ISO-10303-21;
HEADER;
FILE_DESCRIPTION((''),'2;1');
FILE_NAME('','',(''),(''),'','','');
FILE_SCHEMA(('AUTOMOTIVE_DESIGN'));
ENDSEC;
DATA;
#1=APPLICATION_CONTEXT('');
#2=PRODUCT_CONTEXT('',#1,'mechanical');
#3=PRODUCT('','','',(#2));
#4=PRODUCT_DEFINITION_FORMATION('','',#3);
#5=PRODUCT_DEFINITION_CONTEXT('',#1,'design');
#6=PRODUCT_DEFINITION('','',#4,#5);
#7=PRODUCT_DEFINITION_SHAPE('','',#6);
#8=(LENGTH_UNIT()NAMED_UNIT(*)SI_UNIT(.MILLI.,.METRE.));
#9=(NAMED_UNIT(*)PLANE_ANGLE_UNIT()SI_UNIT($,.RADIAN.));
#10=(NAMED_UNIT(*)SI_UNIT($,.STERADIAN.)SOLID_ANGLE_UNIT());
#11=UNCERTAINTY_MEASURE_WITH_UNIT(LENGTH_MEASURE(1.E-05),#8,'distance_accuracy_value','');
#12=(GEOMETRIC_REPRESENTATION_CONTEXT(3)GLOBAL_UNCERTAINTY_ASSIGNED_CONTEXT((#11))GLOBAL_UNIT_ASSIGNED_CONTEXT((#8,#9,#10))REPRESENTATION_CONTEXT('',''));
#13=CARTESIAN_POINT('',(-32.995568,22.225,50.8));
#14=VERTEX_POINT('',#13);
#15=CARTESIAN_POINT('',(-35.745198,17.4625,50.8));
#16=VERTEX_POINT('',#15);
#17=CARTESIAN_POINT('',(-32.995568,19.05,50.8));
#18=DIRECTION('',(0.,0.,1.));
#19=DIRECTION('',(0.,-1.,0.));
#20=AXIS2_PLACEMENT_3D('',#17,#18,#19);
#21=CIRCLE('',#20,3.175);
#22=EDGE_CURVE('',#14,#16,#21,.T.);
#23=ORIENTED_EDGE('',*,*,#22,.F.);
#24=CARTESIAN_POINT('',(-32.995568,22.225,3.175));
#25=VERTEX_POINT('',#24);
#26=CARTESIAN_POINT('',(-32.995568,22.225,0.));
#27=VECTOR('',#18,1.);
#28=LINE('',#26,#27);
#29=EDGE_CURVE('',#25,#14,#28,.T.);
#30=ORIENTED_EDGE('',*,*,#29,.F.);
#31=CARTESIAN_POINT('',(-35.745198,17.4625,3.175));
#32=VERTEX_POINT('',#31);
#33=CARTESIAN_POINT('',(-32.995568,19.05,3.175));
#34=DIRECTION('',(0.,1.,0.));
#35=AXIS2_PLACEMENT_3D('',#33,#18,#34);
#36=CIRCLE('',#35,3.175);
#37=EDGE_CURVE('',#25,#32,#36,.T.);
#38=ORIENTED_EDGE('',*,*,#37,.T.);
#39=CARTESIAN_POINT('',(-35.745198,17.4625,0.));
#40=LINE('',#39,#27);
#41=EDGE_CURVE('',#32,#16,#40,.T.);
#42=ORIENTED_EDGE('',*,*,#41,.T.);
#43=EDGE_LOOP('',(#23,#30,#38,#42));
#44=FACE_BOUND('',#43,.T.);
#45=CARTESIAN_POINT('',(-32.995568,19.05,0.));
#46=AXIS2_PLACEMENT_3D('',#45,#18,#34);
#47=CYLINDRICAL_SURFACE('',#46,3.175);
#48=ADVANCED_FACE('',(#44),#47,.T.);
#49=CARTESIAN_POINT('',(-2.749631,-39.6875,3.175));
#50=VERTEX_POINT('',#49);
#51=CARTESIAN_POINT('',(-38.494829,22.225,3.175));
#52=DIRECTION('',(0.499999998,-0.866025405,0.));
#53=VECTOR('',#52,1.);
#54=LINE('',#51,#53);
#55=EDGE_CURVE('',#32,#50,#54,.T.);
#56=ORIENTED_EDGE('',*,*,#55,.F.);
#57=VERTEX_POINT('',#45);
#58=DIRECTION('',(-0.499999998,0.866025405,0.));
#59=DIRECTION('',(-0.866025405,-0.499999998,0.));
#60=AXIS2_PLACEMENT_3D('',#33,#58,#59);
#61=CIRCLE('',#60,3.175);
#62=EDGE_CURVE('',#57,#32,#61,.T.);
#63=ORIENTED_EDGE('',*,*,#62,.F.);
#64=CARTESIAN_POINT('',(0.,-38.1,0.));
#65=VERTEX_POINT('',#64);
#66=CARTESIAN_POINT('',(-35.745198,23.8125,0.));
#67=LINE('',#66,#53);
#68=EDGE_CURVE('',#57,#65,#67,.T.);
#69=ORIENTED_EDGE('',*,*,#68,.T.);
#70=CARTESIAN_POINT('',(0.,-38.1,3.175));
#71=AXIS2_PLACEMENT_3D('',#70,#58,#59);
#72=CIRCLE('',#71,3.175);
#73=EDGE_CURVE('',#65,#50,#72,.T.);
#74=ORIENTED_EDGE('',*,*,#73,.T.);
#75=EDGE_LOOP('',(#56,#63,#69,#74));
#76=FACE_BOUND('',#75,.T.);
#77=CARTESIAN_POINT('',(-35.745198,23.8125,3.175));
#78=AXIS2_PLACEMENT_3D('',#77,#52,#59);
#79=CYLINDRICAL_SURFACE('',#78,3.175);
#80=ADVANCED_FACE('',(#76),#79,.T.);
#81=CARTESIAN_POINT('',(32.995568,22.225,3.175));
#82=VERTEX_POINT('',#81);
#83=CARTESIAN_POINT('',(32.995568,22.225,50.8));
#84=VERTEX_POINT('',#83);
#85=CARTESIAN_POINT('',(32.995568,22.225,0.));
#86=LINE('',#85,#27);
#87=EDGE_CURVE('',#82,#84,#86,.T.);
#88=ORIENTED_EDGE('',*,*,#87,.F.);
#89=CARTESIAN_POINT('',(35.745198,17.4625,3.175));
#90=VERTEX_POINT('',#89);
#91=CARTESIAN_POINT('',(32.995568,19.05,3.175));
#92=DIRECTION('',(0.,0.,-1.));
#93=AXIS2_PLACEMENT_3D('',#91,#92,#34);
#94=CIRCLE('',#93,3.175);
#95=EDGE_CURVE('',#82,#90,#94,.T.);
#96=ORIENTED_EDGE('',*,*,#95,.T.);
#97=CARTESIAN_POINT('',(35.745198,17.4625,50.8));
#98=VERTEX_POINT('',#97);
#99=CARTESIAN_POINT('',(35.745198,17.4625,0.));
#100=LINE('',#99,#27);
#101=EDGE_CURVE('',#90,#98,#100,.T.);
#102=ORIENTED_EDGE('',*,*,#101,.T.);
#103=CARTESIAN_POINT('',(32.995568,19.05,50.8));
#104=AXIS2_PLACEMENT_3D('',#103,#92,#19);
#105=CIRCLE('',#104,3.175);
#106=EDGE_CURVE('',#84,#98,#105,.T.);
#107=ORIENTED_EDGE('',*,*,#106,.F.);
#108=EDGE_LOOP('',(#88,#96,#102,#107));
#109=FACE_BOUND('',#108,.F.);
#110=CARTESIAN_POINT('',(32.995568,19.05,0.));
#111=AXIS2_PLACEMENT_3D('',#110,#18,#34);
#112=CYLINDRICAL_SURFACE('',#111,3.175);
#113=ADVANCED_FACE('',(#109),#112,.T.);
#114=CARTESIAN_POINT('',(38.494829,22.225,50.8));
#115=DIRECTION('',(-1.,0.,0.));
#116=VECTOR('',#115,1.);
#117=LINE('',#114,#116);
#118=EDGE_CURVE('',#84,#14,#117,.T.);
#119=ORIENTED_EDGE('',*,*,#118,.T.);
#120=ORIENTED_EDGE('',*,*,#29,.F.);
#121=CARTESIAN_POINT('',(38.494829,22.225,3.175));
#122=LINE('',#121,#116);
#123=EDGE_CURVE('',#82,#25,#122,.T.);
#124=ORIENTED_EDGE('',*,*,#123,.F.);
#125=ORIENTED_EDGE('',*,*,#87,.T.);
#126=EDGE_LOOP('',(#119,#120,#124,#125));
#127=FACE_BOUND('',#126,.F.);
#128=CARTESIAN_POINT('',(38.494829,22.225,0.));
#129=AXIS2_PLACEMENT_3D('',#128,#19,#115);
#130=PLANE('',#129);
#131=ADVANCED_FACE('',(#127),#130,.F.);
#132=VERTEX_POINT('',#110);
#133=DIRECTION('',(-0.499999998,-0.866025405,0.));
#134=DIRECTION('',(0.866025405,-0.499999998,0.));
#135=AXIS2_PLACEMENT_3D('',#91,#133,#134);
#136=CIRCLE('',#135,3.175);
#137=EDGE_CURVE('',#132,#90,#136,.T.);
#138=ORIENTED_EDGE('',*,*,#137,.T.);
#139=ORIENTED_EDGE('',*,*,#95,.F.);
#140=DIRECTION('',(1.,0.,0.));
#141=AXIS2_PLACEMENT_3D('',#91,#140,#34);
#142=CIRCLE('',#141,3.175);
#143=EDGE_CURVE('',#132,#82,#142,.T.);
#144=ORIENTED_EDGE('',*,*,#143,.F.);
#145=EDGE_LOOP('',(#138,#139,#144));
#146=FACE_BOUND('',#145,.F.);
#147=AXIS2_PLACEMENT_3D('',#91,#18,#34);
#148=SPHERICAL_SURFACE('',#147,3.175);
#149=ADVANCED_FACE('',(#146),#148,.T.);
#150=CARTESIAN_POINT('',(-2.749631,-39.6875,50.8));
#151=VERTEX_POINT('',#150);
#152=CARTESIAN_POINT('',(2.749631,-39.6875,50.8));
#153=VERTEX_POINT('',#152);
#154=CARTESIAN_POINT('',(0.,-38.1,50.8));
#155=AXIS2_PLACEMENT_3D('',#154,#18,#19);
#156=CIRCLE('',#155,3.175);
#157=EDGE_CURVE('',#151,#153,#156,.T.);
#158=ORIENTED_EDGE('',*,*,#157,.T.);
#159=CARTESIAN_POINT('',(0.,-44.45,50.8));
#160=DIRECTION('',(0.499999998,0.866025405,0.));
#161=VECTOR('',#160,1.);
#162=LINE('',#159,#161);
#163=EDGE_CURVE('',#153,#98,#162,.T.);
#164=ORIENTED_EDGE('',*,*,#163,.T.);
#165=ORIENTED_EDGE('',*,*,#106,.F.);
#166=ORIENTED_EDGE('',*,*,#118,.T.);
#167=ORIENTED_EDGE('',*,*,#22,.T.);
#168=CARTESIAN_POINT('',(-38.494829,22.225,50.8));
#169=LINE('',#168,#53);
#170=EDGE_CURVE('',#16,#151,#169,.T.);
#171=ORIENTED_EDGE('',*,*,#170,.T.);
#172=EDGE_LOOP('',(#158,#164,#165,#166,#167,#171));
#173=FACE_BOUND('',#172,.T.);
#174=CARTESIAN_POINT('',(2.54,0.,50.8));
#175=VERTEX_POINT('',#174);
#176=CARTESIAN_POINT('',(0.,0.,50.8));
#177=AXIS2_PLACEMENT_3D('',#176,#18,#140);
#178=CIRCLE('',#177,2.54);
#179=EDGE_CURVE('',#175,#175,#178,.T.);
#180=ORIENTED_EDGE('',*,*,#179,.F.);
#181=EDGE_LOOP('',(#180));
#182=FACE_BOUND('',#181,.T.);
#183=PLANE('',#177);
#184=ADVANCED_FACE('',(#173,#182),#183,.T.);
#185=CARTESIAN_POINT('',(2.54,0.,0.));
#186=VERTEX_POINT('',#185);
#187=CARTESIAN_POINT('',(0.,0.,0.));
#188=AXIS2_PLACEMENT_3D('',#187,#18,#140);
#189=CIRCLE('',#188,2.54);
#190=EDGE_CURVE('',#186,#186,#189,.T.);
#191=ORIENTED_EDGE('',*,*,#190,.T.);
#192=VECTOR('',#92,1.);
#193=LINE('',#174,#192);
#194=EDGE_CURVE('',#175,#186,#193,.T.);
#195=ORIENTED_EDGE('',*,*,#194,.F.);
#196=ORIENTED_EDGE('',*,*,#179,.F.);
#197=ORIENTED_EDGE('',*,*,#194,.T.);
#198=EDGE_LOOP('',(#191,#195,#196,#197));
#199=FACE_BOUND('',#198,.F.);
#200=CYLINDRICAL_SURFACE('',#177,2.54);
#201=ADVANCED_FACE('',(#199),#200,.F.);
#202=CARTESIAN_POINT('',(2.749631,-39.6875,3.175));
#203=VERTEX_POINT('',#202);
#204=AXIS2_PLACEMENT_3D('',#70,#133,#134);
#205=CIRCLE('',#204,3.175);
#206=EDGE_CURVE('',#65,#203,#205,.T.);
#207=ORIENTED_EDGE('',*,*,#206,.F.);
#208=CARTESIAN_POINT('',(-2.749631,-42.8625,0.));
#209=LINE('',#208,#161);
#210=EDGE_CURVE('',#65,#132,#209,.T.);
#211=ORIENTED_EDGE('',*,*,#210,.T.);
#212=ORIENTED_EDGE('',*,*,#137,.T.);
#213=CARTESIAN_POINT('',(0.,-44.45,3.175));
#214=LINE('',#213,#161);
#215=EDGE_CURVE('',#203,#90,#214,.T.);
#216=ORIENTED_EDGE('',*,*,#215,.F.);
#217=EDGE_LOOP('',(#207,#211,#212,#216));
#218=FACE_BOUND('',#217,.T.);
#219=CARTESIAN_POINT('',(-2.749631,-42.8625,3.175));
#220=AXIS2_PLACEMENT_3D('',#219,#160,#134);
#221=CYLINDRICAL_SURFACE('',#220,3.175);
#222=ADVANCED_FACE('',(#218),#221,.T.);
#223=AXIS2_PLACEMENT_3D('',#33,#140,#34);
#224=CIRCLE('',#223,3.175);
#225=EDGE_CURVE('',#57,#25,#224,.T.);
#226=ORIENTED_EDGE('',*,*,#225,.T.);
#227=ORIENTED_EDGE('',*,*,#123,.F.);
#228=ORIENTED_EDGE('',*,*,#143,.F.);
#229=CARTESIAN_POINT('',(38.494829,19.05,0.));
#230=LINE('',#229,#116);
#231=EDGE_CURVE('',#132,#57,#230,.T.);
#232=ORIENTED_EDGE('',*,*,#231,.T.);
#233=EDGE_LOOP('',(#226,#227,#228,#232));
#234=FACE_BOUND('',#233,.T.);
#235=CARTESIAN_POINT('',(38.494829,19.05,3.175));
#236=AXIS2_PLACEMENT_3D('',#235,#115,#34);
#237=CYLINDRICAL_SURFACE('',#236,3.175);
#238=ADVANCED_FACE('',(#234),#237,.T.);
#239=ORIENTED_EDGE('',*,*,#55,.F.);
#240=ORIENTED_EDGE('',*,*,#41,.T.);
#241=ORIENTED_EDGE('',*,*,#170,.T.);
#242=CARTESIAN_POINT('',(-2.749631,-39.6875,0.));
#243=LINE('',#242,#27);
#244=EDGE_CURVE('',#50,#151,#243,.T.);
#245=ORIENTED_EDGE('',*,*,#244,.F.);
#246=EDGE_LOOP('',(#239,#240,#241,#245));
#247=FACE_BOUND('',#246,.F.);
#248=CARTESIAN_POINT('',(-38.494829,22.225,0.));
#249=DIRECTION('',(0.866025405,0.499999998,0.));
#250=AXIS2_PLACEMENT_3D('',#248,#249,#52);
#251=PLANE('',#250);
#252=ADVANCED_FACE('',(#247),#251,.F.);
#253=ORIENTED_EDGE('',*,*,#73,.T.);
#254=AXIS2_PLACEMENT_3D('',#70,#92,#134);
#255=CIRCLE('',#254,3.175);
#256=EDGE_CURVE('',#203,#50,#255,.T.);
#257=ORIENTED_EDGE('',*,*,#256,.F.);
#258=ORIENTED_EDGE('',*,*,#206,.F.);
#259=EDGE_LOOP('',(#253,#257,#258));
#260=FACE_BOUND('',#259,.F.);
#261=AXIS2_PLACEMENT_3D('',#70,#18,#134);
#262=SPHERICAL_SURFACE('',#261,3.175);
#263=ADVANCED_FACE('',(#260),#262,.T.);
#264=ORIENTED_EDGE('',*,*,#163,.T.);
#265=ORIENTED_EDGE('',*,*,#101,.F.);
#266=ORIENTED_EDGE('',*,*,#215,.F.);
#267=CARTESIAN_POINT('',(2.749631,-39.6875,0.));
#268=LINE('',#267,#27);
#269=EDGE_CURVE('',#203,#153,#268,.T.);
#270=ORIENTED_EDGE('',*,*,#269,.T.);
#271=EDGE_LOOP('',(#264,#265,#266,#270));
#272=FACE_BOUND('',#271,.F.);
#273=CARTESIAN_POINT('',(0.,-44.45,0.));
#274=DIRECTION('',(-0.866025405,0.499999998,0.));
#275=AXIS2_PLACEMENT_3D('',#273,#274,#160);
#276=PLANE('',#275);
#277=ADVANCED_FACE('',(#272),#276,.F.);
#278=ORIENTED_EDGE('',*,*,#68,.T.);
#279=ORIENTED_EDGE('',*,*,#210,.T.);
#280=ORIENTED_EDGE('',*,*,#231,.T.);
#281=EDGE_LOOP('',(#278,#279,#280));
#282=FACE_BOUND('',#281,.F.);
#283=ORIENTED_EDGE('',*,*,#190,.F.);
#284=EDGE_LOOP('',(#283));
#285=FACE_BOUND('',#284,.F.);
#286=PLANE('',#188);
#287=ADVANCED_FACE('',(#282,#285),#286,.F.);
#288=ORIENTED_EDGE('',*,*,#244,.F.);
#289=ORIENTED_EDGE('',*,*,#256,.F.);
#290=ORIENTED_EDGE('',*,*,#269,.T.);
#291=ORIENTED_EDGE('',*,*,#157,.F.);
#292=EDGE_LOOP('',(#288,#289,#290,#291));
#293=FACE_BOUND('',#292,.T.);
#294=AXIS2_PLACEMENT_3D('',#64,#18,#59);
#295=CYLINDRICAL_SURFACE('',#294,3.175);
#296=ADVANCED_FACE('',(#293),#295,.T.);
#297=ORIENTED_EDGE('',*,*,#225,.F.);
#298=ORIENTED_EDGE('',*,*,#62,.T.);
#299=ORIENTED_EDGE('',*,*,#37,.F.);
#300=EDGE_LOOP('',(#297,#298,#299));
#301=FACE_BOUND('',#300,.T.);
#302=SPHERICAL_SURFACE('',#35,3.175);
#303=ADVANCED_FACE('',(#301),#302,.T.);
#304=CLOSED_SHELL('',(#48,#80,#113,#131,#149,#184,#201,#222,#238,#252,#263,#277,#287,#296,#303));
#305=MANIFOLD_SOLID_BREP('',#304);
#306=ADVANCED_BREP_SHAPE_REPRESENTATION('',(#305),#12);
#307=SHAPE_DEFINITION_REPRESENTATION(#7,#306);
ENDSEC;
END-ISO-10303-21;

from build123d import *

# Parameters (mm, degrees)
F1_DEPTH = 50.8
F2_R     = 3.175
F3_R     = 2.54
F4_DEPTH = 50.801


with BuildPart() as f1:
    # F0 (on Top) → F1 (new body)
    with BuildSketch(Plane.XY):
        Polygon((38.494829, 22.225), (-38.494829, 22.225), (0, -44.45), align=None)
    extrude(amount=F1_DEPTH)

    # F2
    f2_edges = [f1.edges().sort_by_distance(p)[0] for p in [
        (-38.494829, 22.225, 25.4),
        (0, -44.45, 25.4),
        (38.494829, 22.225, 25.4),
        (0, 22.225, 0),
        (19.247415, -11.1125, 0),
        (-19.247415, -11.1125, 0),
    ]]
    fillet(f2_edges, radius=F2_R)

    # F3 (on face) → F4 (cut, through all)
    with BuildSketch(Plane.XY.offset(50.8)):
        Circle(F3_R)
    extrude(amount=-F4_DEPTH, mode=Mode.SUBTRACT)


solid = f1.part
